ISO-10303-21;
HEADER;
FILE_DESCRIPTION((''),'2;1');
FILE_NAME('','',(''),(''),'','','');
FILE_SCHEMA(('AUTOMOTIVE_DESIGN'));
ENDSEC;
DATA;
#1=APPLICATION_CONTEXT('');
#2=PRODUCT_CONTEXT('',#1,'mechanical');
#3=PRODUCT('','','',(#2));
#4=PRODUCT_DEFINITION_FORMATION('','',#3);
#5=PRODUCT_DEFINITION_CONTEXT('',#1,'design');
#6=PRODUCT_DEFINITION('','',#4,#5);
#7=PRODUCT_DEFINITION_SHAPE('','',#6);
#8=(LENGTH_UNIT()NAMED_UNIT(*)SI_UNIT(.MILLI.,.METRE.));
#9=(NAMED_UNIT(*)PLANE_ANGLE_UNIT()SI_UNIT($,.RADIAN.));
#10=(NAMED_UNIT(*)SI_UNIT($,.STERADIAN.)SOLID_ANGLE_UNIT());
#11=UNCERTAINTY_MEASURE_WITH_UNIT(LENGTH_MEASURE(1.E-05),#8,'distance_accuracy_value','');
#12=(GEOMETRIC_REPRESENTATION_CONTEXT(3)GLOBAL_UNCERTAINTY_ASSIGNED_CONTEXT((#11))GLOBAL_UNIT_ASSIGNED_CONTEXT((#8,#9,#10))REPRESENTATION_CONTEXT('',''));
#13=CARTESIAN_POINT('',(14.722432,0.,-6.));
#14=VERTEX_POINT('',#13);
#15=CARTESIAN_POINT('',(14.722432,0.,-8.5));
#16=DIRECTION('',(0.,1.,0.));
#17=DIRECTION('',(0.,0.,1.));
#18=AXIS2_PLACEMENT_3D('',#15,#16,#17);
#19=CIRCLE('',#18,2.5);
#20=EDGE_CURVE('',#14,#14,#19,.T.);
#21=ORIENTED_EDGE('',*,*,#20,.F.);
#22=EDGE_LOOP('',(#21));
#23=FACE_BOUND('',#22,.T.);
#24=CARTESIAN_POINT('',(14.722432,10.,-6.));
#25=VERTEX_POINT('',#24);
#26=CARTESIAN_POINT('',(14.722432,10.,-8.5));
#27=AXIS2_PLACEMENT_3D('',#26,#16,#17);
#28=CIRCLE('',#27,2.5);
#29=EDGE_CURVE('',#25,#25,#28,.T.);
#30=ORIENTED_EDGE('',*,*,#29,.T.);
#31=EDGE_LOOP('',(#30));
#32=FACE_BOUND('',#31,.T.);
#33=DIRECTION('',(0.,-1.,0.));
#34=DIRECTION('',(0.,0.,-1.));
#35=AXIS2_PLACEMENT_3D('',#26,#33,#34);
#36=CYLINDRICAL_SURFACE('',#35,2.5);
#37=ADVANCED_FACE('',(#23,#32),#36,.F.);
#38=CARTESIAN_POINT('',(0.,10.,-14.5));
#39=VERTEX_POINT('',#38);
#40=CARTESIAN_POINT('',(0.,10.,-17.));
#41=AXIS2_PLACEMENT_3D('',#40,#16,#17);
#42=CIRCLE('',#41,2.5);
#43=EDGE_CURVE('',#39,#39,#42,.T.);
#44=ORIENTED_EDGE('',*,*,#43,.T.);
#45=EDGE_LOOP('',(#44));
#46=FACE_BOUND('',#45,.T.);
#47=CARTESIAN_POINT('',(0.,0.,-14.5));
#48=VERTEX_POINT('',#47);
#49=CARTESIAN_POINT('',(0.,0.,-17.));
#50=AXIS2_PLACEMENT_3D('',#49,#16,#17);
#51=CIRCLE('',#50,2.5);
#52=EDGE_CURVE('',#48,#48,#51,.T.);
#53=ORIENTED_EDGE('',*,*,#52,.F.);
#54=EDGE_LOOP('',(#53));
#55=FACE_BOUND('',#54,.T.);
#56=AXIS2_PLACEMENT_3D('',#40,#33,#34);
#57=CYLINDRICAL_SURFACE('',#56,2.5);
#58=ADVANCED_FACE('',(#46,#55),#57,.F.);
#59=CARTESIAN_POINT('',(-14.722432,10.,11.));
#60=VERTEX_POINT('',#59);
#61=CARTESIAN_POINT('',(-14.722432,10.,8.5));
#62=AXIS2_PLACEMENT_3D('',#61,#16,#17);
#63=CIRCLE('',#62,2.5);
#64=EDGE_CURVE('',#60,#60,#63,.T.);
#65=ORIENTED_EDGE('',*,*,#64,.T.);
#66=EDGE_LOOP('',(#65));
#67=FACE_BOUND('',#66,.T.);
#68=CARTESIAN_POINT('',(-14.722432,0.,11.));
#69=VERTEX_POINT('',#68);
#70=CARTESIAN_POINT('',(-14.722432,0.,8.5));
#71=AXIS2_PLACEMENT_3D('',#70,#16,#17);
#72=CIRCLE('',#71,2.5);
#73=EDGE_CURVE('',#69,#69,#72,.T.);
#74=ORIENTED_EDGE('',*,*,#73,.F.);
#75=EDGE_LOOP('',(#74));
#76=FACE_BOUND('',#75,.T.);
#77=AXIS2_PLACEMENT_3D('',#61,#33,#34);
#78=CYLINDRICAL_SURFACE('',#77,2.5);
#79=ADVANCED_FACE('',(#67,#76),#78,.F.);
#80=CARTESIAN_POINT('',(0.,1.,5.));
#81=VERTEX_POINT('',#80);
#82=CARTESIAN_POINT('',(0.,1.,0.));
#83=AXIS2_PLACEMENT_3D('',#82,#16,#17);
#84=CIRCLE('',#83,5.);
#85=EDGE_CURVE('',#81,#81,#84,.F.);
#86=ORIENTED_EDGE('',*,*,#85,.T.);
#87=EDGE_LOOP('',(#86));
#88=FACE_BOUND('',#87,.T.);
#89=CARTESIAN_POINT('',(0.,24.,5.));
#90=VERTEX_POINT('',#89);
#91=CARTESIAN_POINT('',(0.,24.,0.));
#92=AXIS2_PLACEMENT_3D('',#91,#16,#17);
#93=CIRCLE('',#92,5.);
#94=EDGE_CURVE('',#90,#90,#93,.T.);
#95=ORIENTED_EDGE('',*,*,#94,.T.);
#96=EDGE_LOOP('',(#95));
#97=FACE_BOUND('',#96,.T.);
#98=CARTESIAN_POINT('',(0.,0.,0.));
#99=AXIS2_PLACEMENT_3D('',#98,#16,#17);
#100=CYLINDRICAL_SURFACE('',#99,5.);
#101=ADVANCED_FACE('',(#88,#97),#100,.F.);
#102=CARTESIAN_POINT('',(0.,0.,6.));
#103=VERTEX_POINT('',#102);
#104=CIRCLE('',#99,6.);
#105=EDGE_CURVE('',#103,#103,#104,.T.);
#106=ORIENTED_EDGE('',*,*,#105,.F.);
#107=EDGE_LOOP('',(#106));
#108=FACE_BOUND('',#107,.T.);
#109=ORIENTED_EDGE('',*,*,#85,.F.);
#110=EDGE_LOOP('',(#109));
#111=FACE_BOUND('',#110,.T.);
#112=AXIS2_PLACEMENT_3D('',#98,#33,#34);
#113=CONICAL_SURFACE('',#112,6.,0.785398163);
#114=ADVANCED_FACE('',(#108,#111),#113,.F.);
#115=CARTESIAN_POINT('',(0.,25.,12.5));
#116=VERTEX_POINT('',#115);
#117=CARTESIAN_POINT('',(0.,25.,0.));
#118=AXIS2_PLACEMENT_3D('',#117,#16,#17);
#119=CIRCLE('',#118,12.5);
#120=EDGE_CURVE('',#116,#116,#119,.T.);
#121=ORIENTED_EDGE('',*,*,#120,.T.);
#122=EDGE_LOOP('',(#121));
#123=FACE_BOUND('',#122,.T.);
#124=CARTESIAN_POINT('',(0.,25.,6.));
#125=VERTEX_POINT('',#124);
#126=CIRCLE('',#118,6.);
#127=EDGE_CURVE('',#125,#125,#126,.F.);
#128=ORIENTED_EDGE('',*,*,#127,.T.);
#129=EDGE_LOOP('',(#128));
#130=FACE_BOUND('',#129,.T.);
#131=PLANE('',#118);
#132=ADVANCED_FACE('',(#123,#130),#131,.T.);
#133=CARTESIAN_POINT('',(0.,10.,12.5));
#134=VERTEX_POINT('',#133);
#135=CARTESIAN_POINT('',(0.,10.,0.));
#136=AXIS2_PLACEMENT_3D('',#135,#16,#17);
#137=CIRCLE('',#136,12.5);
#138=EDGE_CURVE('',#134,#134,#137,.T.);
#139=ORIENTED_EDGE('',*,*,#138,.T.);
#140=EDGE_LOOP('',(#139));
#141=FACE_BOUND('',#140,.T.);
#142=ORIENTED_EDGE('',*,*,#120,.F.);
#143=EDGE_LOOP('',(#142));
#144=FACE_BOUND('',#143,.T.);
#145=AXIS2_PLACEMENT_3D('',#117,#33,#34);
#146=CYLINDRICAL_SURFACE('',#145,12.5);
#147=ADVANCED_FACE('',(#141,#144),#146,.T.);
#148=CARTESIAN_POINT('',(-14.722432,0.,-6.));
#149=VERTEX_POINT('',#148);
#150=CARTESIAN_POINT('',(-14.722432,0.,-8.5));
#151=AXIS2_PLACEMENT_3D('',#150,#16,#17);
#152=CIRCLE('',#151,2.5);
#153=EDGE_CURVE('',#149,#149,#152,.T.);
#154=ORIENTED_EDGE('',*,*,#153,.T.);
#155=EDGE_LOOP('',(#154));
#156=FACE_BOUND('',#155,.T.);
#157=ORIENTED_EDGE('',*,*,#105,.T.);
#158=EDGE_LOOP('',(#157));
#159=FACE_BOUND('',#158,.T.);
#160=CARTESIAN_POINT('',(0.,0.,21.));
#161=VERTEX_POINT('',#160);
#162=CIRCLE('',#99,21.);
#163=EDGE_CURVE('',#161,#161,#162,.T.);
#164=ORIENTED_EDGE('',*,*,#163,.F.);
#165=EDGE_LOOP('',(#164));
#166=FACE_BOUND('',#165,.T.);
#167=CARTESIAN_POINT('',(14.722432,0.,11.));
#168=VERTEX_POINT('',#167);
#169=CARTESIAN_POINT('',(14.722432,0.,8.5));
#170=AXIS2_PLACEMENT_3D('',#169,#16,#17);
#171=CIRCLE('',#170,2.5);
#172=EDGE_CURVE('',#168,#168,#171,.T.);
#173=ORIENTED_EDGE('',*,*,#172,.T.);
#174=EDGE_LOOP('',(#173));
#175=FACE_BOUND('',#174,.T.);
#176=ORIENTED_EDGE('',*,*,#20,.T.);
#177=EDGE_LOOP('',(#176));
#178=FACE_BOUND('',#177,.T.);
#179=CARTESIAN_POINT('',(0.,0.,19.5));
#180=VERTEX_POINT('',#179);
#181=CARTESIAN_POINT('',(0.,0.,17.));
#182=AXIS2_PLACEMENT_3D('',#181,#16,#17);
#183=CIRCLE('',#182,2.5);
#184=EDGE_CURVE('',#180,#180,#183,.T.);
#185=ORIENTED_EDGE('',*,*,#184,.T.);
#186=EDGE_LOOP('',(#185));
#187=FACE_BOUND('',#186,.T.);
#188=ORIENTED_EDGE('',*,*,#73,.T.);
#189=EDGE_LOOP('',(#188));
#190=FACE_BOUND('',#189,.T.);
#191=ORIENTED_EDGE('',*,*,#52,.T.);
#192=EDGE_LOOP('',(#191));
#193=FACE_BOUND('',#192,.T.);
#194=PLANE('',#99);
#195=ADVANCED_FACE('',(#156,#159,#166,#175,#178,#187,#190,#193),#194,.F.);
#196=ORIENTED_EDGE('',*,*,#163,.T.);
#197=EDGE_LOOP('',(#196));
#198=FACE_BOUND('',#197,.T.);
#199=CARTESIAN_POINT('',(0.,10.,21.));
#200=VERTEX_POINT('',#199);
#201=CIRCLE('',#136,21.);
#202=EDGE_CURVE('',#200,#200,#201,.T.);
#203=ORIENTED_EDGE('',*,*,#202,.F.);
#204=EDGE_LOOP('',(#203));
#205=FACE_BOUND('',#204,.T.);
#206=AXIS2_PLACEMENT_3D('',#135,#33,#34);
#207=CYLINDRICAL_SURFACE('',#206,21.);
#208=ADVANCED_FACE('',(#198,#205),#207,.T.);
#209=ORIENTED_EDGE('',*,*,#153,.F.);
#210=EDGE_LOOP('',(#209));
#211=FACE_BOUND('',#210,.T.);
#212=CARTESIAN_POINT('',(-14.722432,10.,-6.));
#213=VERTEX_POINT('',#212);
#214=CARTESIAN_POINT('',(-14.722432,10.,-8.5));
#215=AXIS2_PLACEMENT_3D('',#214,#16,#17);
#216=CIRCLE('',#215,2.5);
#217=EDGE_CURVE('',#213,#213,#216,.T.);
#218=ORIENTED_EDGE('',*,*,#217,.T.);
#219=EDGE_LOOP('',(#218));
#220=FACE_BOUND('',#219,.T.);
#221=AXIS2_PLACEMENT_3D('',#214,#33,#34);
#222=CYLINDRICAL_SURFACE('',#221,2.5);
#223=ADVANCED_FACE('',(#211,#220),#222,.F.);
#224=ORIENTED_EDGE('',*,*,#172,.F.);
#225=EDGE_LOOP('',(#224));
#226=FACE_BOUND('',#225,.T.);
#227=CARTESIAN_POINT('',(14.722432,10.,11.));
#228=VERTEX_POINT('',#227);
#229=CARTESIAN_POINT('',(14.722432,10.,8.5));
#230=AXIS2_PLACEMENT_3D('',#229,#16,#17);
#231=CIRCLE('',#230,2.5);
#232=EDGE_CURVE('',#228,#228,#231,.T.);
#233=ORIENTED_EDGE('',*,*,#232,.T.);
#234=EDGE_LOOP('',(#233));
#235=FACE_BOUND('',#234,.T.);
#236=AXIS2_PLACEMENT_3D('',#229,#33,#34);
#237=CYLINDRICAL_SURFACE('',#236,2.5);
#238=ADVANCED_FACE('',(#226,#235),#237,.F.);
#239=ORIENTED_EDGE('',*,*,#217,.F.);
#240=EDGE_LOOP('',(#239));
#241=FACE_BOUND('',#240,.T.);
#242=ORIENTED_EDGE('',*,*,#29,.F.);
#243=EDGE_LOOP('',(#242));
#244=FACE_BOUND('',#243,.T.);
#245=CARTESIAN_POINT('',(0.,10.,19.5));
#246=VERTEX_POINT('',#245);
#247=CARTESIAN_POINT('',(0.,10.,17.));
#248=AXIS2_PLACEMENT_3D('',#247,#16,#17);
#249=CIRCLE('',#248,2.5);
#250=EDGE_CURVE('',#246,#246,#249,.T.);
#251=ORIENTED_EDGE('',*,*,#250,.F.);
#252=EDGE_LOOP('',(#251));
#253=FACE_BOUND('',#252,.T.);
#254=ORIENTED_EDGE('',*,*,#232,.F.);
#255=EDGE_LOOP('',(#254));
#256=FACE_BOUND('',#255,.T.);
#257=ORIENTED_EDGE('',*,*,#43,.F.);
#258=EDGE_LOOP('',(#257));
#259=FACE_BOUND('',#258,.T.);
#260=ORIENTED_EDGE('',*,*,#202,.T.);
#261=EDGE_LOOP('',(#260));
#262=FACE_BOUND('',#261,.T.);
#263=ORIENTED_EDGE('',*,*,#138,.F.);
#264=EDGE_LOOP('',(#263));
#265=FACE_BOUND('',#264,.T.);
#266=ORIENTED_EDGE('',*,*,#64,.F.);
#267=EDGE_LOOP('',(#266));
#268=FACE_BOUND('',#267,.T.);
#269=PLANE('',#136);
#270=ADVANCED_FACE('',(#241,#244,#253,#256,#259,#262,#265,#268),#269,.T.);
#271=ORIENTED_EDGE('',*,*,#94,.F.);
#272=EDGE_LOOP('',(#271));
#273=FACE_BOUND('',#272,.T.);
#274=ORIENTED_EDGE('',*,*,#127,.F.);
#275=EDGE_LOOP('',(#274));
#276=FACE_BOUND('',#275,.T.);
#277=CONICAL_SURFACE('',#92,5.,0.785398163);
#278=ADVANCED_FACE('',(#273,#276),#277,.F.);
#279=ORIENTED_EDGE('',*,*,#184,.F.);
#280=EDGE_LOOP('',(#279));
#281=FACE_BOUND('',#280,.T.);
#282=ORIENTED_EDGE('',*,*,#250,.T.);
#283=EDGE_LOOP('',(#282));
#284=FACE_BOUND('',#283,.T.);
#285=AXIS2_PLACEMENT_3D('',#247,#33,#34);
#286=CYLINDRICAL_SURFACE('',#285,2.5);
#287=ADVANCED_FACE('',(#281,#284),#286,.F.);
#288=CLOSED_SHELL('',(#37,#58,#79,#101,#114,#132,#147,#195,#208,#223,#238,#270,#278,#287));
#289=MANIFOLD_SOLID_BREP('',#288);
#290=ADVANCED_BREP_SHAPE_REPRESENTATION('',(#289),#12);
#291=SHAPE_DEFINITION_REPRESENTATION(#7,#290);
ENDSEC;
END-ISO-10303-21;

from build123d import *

# Parameters (mm, degrees)
SKETCH1_R           = 21
SKETCH1_R_2         = 2.5
BOSS_EXTRUDE1_DEPTH = 10
SKETCH2_R           = 12.5
BOSS_EXTRUDE2_DEPTH = 15
SKETCH3_R           = 5
CUT_EXTRUDE1_DEPTH  = 39.820097888
CHAMFER1_SIZE       = 1


with BuildPart() as part:
    # Sketch1 → Boss-Extrude1 (new body)
    with BuildSketch(Plane(origin=(0, 0, 0), x_dir=(1, 0, 0), z_dir=(0, 1, 0))):
        with Locations(Location((0, 0, 0), (0, 0, 270))):
            Circle(SKETCH1_R)
        with Locations(Location((0, 17, 0), (0, 0, 270))):
            Circle(SKETCH1_R_2, mode=Mode.SUBTRACT)
        with Locations(Location((14.722431864, 8.5, 0), (0, 0, 270))):
            Circle(SKETCH1_R_2, mode=Mode.SUBTRACT)
        with Locations(Location((14.722431864, -8.5, 0), (0, 0, 270))):
            Circle(SKETCH1_R_2, mode=Mode.SUBTRACT)
        with Locations(Location((0, -17, 0), (0, 0, 270))):
            Circle(SKETCH1_R_2, mode=Mode.SUBTRACT)
        with Locations(Location((-14.722431864, -8.5, 0), (0, 0, 270))):
            Circle(SKETCH1_R_2, mode=Mode.SUBTRACT)
        with Locations(Location((-14.722431864, 8.5, 0), (0, 0, 270))):
            Circle(SKETCH1_R_2, mode=Mode.SUBTRACT)
    extrude(amount=BOSS_EXTRUDE1_DEPTH)

    # Sketch2 → Boss-Extrude2 (add)
    with BuildSketch(Plane(origin=(0, 10, 0), x_dir=(1, 0, 0), z_dir=(0, 1, 0))):
        with Locations(Location((0, 0, 0), (0, 0, 270))):
            Circle(SKETCH2_R)
    extrude(amount=BOSS_EXTRUDE2_DEPTH)

    # Sketch3 → Cut-Extrude1 (cut, through all)
    with BuildSketch(Plane(origin=(0, 25, 0), x_dir=(1, 0, 0), z_dir=(0, 1, 0))):
        with Locations(Location((0, 0, 0), (0, 0, 270))):
            Circle(SKETCH3_R)
    extrude(amount=-CUT_EXTRUDE1_DEPTH, mode=Mode.SUBTRACT)

    # Chamfer1
    chamfer1_edges = [part.edges().sort_by_distance(p)[0] for p in [
        (0, 0, -5),
        (0, 25, -5),
    ]]
    chamfer(chamfer1_edges, length=CHAMFER1_SIZE)


solid = part.part
